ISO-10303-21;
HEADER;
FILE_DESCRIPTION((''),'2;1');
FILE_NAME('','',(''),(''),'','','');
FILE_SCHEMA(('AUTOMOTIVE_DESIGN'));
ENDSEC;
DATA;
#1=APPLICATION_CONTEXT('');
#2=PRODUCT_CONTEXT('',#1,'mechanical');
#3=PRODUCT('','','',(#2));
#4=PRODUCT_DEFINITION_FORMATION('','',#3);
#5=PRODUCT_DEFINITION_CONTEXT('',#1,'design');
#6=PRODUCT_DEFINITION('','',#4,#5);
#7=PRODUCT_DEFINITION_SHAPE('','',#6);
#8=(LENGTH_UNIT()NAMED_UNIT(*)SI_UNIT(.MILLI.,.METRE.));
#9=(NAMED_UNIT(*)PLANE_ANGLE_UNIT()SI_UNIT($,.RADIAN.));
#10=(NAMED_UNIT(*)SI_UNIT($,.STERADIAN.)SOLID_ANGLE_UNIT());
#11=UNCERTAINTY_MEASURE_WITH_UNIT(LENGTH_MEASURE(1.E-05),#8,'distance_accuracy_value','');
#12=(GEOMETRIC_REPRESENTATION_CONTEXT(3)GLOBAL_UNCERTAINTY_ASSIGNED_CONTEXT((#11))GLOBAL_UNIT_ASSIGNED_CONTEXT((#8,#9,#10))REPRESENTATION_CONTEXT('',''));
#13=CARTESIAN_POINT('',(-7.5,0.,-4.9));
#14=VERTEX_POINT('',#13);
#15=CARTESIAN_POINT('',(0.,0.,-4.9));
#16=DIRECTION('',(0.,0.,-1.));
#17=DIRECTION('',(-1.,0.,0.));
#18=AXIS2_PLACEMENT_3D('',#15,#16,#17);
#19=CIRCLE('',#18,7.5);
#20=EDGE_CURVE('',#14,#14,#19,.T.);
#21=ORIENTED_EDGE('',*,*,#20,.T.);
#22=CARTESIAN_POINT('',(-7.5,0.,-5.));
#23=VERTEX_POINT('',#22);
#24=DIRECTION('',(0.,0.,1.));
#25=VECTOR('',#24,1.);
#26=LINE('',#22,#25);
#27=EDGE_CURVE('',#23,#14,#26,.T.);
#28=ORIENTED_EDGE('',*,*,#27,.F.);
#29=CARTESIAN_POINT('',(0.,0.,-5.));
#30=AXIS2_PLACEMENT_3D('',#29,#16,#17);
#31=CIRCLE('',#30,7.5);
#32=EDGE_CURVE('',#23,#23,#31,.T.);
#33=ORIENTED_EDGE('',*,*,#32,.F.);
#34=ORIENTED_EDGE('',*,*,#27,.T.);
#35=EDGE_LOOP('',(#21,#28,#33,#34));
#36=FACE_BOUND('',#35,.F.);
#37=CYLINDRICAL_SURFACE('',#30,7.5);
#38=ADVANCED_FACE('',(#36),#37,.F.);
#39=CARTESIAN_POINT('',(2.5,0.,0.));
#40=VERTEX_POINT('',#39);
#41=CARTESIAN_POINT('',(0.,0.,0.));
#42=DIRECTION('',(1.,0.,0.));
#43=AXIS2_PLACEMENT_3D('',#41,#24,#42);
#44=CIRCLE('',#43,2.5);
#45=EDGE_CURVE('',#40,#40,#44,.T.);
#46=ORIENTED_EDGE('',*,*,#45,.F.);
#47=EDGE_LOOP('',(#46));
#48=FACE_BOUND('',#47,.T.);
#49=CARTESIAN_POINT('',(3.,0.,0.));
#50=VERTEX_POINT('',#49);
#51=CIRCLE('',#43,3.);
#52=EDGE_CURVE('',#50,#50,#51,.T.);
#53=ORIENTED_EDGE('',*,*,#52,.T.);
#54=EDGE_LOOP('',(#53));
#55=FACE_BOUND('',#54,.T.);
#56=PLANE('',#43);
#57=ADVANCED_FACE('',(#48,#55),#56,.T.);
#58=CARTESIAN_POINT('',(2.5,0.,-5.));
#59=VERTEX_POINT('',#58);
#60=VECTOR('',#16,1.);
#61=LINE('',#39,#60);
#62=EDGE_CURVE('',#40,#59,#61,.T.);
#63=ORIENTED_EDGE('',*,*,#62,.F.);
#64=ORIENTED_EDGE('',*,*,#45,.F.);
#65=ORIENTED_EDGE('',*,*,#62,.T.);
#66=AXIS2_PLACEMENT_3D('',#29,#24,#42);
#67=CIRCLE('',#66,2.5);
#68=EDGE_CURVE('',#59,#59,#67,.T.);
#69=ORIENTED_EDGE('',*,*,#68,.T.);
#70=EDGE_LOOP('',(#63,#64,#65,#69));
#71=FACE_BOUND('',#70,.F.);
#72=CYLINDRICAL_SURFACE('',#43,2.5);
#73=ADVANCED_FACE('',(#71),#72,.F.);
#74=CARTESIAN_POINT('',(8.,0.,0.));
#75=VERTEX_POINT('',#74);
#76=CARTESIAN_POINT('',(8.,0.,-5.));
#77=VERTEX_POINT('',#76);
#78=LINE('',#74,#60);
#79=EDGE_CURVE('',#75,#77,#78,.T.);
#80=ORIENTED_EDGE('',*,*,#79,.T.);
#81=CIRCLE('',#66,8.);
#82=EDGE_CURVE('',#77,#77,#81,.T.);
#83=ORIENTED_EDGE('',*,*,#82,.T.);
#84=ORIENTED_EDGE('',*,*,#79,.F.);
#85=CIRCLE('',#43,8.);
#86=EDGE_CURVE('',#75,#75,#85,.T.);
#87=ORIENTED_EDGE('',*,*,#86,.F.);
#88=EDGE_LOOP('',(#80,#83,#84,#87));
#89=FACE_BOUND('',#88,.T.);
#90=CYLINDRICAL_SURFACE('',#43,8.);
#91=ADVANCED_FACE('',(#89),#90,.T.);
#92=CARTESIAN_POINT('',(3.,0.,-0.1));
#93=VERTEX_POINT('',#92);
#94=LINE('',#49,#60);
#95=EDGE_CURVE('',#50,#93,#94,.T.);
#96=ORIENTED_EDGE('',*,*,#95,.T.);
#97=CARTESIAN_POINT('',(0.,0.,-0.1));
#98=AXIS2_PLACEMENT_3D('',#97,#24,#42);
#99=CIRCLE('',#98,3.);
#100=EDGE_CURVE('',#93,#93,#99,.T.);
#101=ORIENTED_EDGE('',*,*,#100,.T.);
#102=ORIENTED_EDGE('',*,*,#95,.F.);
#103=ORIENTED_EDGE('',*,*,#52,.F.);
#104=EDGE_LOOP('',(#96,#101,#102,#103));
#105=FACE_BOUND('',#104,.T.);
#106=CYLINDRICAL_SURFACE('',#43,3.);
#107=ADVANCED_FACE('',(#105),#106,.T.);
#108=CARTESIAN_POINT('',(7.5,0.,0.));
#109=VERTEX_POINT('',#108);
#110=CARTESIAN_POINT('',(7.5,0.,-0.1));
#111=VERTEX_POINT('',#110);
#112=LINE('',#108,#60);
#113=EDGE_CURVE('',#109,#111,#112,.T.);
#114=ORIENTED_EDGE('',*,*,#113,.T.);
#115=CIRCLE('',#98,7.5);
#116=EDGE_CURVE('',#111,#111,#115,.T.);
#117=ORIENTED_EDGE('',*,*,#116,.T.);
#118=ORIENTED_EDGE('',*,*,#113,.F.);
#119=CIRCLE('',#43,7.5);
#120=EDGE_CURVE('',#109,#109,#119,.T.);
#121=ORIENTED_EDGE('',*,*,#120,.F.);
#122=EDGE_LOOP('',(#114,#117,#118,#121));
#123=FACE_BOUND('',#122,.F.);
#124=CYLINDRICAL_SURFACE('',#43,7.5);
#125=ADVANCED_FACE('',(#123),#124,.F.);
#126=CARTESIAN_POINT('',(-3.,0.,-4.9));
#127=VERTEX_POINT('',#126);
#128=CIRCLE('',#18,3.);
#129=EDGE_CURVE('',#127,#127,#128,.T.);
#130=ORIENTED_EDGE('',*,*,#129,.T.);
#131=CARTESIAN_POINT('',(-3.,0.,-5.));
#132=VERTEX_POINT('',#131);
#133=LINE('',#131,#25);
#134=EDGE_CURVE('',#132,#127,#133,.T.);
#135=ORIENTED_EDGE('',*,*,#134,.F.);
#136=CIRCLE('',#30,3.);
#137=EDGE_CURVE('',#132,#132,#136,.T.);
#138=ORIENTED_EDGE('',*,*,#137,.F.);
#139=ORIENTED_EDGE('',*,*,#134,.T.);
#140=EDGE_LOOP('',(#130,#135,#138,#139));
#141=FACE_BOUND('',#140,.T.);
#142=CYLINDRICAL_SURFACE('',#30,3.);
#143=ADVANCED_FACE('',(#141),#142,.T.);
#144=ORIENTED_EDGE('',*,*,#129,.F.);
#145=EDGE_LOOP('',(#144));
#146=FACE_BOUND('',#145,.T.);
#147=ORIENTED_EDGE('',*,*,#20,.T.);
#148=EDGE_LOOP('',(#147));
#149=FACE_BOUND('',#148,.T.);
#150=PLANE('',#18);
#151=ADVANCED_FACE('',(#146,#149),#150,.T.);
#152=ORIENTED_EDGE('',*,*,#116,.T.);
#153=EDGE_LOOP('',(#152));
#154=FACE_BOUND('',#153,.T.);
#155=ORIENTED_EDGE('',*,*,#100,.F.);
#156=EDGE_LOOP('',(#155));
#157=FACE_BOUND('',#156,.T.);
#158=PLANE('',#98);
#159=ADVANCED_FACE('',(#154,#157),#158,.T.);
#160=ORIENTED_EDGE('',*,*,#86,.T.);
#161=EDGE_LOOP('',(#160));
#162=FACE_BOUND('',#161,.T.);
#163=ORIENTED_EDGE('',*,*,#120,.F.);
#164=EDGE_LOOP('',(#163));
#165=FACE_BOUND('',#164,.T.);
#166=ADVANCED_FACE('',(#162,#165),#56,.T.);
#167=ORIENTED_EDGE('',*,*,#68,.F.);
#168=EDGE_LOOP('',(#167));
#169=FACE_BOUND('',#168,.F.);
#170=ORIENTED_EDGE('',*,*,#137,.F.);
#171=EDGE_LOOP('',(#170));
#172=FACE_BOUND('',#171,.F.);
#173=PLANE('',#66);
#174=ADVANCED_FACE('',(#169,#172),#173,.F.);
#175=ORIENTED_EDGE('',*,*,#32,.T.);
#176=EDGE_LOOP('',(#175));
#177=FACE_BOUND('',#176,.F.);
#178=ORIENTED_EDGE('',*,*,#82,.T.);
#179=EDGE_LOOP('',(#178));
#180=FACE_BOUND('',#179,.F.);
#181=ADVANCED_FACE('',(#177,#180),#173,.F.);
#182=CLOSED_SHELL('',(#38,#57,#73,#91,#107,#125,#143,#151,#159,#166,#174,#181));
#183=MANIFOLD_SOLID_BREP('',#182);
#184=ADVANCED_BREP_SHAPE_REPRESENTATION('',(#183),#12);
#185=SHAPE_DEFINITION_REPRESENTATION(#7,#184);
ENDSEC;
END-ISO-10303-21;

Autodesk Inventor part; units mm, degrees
ref_plane "YZ Plane" through (0, 0, 0) normal (1, 0, 0) x (0, 1, 0)
ref_plane "XZ Plane" through (0, 0, 0) normal (0, 1, 0) x (-1, 0, 0)
ref_plane "XY Plane" through (0, 0, 0) normal (0, 0, 1) x (1, 0, 0)
sketch "Эскиз1" plane through (0, 0, 0) normal (0, 0, 1) x (1, 0, 0)
  circle A0 centre (0, 0) radius 2.5
  circle A1 centre (0, 0) radius 8
  dimension "d0" = 5
  dimension "d1" = 16
extrude "Выдавливание1" add sketch "Эскиз1" against normal blind 5
sketch "Эскиз4" plane through (0, 0, 0) normal (0, 0, 1) x (1, 0, 0)
  circle A0 centre (0, 0) radius 3
  circle A1 centre (0, 0) radius 7.5
  dimension "d8" = 6
  dimension "d9" = 15
extrude "Выдавливание2" cut sketch "Эскиз4" against normal blind 0.1
sketch "Эскиз5" plane through (0, 0, -5) normal (0, 0, -1) x (-1, 0, 0)
  circle A0 centre (0, 0) radius 3
  circle A1 centre (0, 0) radius 7.5
  dimension "d12" = 6
  dimension "d13" = 15
extrude "Выдавливание3" cut sketch "Эскиз5" against normal blind 0.1
sketch "Эскиз6" plane through (0, 0, -0.1) normal (0, 0, 1) x (1, 0, 0)
  point P0 (0, 0)
properties part number "625RS"
